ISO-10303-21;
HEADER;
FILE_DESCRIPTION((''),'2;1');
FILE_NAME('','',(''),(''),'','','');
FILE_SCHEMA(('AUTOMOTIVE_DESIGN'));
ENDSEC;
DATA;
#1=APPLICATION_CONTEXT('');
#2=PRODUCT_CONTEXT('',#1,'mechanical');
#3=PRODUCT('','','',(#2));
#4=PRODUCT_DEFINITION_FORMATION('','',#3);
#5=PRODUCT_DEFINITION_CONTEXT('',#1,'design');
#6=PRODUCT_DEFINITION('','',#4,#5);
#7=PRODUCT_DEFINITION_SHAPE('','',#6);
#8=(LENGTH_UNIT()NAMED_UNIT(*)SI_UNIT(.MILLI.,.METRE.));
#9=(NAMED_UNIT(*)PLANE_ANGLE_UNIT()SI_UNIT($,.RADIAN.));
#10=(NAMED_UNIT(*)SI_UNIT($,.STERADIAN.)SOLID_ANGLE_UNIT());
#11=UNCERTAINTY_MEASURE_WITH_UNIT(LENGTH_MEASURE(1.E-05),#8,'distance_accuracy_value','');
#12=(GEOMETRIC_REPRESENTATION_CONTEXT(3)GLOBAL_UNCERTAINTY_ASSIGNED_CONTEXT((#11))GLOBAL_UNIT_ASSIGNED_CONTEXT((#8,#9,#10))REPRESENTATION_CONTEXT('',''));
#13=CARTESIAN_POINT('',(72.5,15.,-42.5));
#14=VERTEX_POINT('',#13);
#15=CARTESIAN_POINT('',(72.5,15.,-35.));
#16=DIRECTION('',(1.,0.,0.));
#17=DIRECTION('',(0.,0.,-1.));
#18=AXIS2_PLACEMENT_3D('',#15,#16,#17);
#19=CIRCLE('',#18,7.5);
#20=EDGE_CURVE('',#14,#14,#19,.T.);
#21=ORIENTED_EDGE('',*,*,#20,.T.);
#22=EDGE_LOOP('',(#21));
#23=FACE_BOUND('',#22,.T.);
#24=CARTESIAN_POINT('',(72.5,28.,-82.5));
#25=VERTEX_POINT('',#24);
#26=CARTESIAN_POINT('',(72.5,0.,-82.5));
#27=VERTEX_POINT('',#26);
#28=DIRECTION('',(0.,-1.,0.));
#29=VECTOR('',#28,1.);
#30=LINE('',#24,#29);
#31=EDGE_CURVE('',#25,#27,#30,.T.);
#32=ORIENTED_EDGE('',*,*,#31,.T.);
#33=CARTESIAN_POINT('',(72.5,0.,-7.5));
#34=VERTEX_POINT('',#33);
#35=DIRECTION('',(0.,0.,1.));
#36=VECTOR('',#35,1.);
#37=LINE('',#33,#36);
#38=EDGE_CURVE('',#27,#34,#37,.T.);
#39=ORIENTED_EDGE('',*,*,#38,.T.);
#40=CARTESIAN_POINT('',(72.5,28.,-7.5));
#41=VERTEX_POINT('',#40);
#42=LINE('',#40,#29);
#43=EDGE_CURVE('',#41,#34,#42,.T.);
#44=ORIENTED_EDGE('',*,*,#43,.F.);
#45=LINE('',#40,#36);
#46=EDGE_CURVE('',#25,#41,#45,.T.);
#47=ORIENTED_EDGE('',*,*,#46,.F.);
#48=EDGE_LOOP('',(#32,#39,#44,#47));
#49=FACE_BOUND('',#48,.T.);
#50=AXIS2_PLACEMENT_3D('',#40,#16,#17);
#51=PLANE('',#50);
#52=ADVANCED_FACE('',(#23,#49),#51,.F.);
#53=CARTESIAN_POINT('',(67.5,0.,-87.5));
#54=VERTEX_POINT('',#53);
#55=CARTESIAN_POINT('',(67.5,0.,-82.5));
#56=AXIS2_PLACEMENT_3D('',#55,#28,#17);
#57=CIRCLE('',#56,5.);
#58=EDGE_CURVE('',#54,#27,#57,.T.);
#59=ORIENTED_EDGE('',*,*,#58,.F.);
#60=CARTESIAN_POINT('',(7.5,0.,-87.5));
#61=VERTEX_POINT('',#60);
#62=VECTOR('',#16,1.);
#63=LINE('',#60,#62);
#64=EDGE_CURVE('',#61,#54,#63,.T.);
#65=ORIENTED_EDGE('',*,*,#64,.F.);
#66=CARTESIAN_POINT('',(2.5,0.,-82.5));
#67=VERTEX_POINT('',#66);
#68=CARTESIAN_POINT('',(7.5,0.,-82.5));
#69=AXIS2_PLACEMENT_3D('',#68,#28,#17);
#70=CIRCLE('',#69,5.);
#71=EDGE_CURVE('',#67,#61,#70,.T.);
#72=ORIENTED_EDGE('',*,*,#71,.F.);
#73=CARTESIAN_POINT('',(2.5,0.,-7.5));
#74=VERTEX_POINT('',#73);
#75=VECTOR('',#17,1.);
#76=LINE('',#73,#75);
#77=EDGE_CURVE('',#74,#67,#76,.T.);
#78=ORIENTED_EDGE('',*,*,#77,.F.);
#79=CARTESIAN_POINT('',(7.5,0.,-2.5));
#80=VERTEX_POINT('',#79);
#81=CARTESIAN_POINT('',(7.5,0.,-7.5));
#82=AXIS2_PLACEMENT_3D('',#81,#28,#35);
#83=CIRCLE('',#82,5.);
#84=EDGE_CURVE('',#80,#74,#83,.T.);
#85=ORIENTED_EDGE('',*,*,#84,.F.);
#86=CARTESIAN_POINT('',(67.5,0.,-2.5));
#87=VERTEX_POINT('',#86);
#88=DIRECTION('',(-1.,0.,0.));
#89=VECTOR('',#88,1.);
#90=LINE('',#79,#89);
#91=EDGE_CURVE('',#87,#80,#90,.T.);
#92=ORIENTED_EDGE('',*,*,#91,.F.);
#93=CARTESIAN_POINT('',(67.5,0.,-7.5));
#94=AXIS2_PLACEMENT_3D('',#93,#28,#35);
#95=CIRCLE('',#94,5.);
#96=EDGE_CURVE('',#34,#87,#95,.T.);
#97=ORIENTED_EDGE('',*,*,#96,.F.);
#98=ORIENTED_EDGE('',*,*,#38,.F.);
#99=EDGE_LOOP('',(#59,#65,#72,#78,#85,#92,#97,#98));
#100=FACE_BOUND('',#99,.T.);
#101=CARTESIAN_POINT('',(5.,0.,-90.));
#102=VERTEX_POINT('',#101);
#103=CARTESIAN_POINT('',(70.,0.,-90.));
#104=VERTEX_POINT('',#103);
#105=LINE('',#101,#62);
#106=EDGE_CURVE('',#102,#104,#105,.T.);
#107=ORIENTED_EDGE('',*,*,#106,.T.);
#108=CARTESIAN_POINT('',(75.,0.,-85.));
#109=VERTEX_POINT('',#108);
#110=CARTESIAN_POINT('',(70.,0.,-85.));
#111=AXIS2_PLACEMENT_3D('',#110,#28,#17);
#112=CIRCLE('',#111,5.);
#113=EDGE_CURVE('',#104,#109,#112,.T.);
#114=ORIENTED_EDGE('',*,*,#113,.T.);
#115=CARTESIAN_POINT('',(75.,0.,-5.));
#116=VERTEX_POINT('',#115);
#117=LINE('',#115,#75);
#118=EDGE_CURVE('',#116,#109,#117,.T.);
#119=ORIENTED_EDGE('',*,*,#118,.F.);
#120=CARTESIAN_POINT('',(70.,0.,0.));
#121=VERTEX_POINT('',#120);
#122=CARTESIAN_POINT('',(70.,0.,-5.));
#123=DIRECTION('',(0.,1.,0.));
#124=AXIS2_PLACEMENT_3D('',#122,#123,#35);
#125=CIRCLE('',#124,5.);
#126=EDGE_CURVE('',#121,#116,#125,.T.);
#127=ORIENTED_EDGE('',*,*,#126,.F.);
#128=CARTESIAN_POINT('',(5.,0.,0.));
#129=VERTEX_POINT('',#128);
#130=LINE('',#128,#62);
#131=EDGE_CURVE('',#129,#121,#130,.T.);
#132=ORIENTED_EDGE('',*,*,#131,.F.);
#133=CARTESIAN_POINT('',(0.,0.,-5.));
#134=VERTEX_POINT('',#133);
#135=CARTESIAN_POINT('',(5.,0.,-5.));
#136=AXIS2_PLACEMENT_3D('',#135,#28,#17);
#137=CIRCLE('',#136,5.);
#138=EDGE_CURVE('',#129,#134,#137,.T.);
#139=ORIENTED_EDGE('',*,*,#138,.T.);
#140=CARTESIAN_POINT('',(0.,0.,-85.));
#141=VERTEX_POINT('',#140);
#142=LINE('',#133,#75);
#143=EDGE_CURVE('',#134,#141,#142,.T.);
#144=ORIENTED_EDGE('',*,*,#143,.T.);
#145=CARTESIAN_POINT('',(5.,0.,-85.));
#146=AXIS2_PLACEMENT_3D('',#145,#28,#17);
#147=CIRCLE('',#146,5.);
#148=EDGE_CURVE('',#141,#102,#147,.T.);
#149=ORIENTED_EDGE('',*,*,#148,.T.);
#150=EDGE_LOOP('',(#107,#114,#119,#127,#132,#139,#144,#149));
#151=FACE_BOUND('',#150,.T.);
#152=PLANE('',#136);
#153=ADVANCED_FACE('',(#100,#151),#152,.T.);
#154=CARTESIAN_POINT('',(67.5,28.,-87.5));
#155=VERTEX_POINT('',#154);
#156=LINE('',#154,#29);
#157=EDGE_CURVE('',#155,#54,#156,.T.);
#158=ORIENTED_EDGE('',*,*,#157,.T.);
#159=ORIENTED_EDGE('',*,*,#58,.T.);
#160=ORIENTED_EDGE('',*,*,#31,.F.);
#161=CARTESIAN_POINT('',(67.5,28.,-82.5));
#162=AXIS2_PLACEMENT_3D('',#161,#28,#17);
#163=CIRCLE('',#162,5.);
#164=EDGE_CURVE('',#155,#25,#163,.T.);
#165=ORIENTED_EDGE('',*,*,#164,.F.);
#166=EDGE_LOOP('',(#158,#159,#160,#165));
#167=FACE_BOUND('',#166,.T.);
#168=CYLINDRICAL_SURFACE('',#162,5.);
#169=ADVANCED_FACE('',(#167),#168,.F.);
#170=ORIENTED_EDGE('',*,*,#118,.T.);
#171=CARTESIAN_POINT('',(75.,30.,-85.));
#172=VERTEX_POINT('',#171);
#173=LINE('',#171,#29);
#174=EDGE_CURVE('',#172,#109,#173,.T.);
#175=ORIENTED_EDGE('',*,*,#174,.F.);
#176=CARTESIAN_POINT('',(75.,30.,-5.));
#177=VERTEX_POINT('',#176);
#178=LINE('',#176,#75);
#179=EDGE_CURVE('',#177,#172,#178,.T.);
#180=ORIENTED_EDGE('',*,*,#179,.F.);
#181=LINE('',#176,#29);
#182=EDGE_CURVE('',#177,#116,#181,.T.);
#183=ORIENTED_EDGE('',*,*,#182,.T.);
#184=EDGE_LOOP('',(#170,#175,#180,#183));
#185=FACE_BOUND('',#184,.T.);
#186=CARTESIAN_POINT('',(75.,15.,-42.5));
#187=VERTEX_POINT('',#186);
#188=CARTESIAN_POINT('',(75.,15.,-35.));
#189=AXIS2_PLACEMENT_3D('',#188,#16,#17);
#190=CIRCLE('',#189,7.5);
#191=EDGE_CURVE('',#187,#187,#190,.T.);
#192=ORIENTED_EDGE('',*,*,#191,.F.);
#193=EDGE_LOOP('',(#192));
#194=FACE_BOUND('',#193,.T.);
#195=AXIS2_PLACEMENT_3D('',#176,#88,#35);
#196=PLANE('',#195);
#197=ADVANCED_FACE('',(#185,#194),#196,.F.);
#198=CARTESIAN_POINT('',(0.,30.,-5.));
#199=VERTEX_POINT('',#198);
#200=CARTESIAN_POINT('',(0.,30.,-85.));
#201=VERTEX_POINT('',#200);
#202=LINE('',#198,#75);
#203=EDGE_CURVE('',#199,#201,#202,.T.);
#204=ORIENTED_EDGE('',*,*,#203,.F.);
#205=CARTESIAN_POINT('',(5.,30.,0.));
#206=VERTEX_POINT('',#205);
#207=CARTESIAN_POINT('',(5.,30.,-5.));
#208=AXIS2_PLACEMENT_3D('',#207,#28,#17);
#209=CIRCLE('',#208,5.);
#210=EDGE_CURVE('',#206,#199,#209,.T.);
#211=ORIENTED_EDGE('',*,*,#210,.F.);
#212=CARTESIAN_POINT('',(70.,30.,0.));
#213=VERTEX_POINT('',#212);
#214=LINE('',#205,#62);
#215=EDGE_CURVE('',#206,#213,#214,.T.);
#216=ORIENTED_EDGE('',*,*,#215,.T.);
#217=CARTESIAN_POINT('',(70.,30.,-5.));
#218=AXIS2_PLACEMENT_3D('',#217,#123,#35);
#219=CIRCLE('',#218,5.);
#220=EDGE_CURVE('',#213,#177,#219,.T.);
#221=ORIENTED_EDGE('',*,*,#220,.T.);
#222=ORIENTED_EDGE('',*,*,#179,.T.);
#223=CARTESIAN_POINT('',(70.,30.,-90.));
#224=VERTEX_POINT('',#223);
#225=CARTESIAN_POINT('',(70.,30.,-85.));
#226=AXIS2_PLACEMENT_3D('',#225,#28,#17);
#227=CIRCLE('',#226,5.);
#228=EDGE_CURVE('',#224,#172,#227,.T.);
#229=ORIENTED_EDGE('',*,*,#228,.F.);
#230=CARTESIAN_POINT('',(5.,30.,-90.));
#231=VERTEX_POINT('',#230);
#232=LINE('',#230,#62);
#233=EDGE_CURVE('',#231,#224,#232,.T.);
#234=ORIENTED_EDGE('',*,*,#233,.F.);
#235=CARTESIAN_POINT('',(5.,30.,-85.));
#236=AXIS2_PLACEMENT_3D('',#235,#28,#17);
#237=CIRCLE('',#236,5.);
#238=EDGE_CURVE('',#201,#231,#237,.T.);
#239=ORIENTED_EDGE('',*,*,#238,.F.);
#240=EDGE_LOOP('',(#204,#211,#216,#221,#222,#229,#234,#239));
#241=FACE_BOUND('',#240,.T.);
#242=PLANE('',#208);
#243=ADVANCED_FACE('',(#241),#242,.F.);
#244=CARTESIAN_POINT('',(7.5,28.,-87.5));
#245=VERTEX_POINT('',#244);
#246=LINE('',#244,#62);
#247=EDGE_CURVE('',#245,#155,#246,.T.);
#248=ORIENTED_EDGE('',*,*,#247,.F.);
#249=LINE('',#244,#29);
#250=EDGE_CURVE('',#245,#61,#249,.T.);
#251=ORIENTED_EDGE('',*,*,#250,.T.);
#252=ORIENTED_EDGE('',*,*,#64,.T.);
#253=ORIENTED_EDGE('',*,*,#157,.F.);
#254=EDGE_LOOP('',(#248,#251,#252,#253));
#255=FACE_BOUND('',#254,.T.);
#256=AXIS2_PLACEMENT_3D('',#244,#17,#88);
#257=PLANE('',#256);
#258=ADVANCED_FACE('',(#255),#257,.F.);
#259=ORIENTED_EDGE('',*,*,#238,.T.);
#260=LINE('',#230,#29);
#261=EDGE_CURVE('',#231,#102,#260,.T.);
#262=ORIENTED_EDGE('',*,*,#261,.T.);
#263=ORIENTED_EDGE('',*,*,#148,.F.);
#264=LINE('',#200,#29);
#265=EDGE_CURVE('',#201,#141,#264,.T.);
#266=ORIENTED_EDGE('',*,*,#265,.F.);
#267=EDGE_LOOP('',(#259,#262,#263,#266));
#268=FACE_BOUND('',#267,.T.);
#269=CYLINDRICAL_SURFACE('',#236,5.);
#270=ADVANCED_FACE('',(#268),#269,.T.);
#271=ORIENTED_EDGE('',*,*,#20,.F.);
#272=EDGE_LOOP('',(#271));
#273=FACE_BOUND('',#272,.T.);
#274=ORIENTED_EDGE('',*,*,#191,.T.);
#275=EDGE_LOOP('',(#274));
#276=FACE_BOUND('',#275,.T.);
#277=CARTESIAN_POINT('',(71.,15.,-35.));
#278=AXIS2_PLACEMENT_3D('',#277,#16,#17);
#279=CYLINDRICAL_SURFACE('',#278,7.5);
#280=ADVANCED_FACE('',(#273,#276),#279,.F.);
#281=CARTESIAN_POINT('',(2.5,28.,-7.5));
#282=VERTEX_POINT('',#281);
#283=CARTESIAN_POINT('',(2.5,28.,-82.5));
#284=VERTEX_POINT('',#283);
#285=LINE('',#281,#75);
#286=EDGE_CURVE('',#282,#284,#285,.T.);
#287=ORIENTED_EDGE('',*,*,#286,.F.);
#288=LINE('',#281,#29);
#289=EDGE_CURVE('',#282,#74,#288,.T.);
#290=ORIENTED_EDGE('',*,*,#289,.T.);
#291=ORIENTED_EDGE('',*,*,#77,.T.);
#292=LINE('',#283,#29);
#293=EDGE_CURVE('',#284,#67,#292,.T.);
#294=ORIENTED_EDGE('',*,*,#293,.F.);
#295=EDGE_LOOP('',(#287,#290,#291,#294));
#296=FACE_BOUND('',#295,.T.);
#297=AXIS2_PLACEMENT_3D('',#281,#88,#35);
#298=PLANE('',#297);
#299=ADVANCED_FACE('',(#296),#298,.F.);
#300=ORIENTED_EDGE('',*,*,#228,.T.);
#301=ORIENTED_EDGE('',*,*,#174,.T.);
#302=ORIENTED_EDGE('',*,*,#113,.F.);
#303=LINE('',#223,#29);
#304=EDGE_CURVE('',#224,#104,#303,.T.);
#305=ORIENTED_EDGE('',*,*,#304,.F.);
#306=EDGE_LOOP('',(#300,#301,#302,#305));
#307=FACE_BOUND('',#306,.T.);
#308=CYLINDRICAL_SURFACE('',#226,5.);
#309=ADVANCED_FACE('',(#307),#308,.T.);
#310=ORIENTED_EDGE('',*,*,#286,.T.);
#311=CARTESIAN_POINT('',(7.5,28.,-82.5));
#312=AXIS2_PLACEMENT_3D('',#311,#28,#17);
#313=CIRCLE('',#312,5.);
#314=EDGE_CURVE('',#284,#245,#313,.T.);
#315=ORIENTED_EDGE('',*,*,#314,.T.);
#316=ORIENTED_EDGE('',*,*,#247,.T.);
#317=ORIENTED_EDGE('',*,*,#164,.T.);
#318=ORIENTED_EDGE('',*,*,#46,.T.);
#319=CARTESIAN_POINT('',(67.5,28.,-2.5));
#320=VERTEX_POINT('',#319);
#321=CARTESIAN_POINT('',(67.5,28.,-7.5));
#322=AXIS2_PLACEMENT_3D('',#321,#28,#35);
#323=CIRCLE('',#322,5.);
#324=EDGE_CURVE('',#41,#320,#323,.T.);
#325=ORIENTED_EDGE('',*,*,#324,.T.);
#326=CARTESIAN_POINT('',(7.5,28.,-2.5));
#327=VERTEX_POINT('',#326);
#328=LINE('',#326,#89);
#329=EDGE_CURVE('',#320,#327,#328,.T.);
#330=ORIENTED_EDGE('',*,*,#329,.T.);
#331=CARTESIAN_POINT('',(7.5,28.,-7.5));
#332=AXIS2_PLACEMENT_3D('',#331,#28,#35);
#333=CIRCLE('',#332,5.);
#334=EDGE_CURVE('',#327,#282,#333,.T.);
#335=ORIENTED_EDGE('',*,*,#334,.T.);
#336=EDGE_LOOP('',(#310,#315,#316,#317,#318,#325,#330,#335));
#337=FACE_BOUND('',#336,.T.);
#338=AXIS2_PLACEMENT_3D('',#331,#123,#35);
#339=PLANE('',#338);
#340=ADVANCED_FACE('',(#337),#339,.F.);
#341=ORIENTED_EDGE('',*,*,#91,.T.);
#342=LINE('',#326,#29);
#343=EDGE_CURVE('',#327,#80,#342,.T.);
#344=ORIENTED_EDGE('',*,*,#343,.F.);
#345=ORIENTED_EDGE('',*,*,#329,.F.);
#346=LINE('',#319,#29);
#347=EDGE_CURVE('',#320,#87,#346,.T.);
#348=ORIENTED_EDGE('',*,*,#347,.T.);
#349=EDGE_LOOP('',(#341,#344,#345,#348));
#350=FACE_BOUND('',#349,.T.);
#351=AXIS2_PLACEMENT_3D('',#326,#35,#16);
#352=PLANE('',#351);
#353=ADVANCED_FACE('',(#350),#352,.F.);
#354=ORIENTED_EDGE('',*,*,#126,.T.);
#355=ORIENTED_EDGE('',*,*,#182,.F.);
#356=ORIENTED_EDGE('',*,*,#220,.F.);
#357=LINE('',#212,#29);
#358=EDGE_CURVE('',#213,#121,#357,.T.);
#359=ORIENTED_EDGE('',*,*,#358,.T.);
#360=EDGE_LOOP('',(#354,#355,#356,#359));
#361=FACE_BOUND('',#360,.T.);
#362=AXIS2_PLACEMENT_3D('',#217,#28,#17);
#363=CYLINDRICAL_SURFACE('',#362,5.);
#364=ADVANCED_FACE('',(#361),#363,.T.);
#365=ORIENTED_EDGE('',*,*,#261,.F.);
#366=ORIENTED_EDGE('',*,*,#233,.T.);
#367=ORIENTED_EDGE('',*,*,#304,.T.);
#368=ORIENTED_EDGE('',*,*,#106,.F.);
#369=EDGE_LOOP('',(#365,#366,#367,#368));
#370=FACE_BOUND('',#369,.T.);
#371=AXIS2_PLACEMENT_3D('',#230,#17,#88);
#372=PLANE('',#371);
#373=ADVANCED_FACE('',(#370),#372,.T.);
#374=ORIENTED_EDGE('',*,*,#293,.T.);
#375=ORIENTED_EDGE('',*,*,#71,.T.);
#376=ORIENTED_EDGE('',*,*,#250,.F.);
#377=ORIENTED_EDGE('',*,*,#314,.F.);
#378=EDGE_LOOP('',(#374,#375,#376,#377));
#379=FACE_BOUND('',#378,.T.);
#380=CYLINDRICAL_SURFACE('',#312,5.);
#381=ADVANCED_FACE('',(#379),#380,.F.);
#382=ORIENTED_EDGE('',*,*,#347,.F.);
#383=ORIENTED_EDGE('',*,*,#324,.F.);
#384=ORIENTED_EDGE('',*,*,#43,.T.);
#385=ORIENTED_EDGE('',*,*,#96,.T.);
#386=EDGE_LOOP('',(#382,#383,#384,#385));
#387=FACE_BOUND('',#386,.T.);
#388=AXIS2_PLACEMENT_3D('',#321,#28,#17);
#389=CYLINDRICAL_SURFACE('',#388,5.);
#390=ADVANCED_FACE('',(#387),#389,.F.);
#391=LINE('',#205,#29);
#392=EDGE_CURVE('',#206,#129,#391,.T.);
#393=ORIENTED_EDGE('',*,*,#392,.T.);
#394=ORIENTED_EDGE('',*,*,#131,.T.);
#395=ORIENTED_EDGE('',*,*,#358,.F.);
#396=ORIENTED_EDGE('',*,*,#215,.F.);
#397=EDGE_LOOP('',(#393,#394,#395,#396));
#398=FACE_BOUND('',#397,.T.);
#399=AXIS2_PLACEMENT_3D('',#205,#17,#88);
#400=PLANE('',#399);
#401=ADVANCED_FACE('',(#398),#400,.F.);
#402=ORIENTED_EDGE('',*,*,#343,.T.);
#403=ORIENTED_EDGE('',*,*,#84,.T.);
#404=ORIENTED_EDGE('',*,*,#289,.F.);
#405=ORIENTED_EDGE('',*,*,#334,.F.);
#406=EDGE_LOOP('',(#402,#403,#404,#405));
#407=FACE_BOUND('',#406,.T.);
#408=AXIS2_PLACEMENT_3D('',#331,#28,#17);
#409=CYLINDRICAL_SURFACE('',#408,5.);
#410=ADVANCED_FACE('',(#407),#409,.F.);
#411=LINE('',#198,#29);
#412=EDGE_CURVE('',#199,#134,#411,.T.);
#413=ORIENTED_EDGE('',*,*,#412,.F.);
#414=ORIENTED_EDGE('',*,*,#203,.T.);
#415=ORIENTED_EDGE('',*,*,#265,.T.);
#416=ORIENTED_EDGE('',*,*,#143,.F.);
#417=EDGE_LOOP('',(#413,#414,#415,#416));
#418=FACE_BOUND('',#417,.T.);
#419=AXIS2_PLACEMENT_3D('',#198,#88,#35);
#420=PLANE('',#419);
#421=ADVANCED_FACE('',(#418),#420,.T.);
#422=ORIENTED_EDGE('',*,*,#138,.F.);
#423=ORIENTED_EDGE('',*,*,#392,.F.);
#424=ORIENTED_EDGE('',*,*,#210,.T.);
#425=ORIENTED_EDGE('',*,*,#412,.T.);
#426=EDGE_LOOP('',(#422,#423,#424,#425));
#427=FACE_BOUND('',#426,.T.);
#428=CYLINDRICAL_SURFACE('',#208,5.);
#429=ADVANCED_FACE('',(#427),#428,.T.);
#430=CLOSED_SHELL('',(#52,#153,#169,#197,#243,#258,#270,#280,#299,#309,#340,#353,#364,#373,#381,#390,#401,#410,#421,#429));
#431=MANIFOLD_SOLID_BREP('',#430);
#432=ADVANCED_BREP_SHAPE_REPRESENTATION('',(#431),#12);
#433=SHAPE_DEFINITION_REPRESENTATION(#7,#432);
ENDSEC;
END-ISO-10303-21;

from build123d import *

# Parameters (mm, degrees)
BOSS_EXTRUDE1_DEPTH = 30
CUT_EXTRUDE3_DEPTH  = 28
SKETCH5_R           = 7.5
CUT_EXTRUDE5_DEPTH  = 4


with BuildPart() as part:
    # Sketch1 → Boss-Extrude1 (new body)
    with BuildSketch(Plane(origin=(0, 0, 0), x_dir=(1, 0, 0), z_dir=(0, 1, 0))):
        with BuildLine():
            Line((5, 0), (70, 0))
            ThreePointArc((70, 0), (73.535533906, 1.464466094), (75, 5))
            Line((75, 5), (75, 85))
            ThreePointArc((75, 85), (73.535533906, 88.535533906), (70, 90))
            Line((70, 90), (5, 90))
            ThreePointArc((5, 90), (1.464466094, 88.535533906), (0, 85))
            Line((0, 85), (0, 5))
            ThreePointArc((0, 5), (1.464466094, 1.464466094), (5, 0))
        make_face()
    extrude(amount=BOSS_EXTRUDE1_DEPTH)

    # Sketch3 → Cut-Extrude3 (cut)
    with BuildSketch(Plane(origin=(0, 0, 0), x_dir=(-1, 0, 0), z_dir=(0, -1, 0))):
        with BuildLine():
            Line((-7.5, 2.5), (-67.5, 2.5))
            ThreePointArc((-67.5, 2.5), (-71.035533906, 3.964466094), (-72.5, 7.5))
            Line((-72.5, 7.5), (-72.5, 82.5))
            ThreePointArc((-72.5, 82.5), (-71.035533906, 86.035533906), (-67.5, 87.5))
            Line((-67.5, 87.5), (-7.5, 87.5))
            ThreePointArc((-7.5, 87.5), (-3.964466094, 86.035533906), (-2.5, 82.5))
            Line((-2.5, 82.5), (-2.5, 7.5))
            ThreePointArc((-2.5, 7.5), (-3.964466094, 3.964466094), (-7.5, 2.5))
        make_face()
    extrude(amount=-CUT_EXTRUDE3_DEPTH, mode=Mode.SUBTRACT)

    # Sketch5 → Cut-Extrude5 (cut)
    with BuildSketch(Plane(origin=(75, 0, 0), x_dir=(0, 0, -1), z_dir=(1, 0, 0))):
        with Locations((35, 15)):
            Circle(SKETCH5_R)
    extrude(amount=-CUT_EXTRUDE5_DEPTH, mode=Mode.SUBTRACT)


solid = part.part
